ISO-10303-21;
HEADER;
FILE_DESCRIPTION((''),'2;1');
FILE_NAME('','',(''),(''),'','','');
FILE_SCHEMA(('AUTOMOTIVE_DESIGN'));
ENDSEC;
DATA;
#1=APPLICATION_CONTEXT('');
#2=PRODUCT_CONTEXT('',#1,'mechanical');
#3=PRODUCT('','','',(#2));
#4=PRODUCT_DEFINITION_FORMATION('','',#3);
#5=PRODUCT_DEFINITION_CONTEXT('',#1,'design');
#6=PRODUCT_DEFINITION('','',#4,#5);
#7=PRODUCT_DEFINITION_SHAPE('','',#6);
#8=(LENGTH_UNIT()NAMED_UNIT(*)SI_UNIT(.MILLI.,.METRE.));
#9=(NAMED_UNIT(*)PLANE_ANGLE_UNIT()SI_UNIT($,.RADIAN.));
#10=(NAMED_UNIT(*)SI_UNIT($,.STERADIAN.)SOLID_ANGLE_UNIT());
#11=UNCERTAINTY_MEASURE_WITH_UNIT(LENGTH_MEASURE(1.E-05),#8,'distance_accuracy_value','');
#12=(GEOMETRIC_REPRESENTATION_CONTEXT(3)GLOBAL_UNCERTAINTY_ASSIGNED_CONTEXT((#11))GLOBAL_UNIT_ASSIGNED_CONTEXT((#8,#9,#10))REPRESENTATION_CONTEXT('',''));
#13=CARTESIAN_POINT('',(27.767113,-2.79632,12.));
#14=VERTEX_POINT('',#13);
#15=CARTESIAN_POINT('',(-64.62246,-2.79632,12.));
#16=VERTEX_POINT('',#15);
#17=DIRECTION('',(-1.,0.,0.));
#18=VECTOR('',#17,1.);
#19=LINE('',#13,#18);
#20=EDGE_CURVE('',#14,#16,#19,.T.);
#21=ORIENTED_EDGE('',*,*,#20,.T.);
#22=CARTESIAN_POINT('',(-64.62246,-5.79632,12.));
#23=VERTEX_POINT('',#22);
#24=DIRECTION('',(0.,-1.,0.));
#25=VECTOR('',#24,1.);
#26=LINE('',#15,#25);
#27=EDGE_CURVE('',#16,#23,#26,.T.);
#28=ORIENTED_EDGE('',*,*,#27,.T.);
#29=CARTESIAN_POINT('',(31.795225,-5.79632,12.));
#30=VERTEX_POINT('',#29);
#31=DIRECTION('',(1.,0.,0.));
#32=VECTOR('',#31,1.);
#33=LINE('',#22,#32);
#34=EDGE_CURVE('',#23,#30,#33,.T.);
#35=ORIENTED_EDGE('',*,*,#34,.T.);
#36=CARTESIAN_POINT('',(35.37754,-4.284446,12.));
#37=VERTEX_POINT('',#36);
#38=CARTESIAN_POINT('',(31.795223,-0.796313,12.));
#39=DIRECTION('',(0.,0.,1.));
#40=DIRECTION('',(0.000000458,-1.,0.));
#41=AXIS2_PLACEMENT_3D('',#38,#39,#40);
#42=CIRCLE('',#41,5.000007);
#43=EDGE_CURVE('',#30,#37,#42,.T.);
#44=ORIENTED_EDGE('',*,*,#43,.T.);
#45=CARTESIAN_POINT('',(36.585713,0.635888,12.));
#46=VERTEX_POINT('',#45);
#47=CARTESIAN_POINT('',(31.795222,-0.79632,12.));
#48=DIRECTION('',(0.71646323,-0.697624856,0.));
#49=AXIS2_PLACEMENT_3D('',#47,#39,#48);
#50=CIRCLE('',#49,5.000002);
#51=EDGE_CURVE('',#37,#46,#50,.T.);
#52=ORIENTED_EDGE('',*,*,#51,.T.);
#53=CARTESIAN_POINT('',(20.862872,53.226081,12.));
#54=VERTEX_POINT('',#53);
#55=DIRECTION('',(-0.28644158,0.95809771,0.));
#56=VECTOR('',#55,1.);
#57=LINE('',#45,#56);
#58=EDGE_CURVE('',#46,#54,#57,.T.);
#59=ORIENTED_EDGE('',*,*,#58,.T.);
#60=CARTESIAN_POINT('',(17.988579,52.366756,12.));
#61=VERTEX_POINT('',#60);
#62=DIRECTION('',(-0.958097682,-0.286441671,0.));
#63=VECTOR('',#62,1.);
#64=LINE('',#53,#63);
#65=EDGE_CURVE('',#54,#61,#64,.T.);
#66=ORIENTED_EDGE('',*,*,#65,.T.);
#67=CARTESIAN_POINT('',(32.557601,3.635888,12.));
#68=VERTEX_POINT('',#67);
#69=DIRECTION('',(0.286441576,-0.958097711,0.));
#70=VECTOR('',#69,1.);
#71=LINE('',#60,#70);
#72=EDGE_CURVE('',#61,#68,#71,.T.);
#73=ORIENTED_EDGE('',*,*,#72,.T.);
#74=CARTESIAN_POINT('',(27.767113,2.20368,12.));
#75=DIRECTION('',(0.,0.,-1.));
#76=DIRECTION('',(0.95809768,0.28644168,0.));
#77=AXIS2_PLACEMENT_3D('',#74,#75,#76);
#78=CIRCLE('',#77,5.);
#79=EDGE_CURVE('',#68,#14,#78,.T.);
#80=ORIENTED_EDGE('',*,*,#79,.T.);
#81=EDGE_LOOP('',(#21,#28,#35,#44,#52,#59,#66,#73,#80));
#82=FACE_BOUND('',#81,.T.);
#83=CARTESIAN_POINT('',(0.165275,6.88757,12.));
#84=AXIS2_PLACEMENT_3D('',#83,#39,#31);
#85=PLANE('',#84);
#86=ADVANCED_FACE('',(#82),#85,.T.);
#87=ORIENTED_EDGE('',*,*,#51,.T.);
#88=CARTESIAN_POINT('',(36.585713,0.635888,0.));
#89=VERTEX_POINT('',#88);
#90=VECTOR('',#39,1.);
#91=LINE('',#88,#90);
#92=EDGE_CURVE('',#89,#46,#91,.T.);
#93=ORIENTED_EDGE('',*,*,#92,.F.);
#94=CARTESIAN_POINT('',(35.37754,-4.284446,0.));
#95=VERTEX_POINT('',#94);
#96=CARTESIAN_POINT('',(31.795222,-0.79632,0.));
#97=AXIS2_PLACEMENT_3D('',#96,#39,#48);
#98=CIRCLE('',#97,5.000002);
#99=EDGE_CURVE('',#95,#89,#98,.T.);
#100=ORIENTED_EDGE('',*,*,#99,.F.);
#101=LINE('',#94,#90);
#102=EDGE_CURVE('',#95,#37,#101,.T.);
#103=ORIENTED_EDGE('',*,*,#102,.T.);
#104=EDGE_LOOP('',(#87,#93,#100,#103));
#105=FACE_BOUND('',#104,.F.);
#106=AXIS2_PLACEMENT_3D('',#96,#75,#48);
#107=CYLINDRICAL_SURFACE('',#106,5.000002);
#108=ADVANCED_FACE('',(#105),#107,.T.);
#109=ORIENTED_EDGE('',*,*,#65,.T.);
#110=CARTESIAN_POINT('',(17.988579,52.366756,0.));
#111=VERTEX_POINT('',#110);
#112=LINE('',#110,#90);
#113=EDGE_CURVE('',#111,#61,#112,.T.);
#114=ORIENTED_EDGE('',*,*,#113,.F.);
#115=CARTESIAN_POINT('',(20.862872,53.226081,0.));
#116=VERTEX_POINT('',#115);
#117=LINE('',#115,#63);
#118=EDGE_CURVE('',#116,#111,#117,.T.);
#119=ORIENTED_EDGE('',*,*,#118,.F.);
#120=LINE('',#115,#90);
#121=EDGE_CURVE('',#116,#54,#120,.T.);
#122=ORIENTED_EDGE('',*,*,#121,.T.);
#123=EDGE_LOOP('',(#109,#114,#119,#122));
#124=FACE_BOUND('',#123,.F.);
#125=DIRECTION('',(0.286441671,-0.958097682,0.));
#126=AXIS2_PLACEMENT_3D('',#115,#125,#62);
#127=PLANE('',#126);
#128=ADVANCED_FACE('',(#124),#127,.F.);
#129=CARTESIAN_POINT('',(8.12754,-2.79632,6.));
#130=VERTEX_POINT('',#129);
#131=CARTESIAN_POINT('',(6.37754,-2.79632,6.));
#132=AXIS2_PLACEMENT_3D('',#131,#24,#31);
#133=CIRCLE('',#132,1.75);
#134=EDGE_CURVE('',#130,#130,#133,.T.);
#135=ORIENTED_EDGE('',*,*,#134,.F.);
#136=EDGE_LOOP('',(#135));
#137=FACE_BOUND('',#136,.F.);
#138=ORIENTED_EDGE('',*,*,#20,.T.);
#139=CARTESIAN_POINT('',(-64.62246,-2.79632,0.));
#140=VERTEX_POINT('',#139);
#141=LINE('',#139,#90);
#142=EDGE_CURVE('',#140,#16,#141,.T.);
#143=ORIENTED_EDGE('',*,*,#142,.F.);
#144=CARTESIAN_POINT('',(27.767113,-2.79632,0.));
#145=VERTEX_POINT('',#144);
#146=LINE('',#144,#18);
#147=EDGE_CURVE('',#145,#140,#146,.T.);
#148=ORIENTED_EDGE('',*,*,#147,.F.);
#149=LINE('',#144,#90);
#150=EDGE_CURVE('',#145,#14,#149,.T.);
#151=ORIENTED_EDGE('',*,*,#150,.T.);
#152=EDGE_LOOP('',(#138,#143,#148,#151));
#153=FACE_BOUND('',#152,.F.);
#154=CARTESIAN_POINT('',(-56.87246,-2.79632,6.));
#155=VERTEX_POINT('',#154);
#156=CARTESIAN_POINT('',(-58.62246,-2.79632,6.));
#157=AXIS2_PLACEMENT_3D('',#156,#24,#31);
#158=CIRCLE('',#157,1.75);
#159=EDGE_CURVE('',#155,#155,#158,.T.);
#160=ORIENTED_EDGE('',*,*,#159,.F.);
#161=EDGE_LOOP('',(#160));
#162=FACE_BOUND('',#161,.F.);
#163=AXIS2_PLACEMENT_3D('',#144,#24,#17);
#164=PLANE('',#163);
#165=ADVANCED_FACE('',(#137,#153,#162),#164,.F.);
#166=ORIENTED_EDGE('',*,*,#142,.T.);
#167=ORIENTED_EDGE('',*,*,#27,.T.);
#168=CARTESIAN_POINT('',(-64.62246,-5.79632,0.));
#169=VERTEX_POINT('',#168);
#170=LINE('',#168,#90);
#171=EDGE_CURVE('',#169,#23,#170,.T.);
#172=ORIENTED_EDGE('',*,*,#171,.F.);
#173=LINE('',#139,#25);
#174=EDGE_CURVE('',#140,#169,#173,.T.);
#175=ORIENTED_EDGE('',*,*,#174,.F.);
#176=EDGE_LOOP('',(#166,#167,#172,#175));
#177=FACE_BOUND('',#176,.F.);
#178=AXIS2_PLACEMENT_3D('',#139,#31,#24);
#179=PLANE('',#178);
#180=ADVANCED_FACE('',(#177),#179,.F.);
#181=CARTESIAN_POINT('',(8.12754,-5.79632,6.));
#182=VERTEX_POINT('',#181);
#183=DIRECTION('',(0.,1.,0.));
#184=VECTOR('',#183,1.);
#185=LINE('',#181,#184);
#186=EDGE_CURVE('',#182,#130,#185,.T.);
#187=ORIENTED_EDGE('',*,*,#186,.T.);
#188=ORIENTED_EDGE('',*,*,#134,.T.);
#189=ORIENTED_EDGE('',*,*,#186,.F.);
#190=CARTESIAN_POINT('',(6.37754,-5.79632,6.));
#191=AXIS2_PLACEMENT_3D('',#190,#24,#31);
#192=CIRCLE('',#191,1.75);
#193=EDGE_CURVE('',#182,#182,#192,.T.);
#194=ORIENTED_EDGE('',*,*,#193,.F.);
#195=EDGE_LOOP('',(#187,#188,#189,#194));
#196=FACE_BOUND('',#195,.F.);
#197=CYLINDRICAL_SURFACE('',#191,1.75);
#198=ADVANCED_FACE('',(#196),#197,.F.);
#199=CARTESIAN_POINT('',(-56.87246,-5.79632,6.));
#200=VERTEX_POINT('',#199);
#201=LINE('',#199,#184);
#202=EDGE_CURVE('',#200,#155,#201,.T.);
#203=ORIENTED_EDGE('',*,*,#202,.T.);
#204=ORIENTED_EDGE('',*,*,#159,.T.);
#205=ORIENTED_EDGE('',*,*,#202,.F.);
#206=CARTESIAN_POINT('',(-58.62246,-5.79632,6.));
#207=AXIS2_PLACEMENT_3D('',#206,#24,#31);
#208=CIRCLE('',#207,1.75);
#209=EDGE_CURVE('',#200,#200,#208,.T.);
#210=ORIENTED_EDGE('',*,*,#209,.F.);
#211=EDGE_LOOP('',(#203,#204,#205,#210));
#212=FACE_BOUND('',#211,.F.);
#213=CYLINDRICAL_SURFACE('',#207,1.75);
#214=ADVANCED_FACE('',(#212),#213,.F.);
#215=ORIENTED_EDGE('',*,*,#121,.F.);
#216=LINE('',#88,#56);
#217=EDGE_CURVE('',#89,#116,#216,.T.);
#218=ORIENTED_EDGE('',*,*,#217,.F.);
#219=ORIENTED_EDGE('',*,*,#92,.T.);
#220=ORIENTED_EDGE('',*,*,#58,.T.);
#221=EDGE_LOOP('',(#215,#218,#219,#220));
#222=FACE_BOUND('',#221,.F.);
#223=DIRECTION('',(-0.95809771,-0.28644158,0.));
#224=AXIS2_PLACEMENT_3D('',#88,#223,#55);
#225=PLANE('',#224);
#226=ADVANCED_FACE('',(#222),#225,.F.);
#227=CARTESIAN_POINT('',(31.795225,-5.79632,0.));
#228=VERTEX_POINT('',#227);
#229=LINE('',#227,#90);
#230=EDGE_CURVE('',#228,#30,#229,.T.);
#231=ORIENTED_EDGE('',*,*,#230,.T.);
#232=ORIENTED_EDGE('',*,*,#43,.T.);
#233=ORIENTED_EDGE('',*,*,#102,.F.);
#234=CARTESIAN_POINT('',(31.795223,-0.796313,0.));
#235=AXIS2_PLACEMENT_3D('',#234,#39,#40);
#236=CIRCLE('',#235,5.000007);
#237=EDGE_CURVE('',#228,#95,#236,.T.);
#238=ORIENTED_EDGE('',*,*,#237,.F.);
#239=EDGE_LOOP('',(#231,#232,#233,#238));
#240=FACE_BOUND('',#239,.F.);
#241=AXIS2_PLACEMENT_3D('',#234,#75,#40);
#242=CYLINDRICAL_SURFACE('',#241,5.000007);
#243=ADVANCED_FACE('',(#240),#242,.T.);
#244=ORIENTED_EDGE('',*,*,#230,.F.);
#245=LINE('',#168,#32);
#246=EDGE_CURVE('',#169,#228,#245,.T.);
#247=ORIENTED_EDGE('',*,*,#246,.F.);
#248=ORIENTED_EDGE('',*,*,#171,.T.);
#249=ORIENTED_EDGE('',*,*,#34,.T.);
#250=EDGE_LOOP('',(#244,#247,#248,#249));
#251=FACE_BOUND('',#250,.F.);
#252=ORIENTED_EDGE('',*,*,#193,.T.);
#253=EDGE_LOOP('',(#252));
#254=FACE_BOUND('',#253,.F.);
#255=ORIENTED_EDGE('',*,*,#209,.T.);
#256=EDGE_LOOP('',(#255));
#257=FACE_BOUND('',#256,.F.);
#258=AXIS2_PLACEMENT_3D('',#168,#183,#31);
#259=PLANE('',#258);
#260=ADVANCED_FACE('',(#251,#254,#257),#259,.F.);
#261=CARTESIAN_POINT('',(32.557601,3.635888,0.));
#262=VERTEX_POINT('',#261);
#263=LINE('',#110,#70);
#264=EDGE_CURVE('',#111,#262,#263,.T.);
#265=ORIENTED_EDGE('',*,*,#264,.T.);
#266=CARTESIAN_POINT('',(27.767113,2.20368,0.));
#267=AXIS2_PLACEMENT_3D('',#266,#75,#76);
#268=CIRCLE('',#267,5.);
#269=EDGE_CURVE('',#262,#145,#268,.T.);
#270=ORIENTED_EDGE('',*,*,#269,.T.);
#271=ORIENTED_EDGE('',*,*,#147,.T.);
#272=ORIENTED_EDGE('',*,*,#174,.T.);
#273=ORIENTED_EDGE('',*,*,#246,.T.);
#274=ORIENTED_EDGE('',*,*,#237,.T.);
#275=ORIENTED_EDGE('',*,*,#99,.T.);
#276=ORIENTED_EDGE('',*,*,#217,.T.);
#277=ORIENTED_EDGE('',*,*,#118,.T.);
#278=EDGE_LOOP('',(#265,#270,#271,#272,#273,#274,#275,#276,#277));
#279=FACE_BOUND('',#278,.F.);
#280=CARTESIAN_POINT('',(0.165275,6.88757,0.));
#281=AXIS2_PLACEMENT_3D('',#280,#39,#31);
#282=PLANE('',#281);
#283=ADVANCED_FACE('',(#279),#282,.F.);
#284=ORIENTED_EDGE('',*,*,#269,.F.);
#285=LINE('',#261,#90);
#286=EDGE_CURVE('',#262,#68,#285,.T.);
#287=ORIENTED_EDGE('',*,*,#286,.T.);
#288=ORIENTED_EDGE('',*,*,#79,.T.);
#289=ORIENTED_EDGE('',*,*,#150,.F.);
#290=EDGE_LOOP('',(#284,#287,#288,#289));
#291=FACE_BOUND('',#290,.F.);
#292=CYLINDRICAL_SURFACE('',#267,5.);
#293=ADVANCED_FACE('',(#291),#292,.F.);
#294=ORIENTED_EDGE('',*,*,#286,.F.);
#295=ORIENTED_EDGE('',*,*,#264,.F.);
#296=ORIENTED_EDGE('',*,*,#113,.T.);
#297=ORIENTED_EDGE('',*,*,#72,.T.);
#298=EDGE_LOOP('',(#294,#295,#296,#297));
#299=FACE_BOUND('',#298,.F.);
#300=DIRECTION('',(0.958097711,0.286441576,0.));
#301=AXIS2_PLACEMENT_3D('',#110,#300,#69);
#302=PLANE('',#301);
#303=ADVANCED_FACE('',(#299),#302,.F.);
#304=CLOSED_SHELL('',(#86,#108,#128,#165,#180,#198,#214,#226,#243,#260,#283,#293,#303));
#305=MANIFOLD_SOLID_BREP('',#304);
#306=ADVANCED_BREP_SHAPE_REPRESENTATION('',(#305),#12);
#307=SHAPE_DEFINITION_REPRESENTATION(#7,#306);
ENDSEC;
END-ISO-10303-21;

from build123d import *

# Parameters (mm, degrees)
F1_DEPTH = 12
F2_R     = 1.75
F3_DEPTH = 25
F4_R     = 1.75
F5_DEPTH = 3


with BuildPart() as f1:
    # F0 (on Top) → F1 (new body)
    with BuildSketch(Plane.XY):
        with BuildLine():
            Line((27.767113, -2.79632), (-64.62246, -2.79632))
            Line((-64.62246, -2.79632), (-64.62246, -5.79632))
            Line((-64.62246, -5.79632), (31.795225, -5.79632))
            ThreePointArc((31.795225, -5.79632), (33.739366, -5.402871), (35.37754, -4.284446))
            ThreePointArc((35.37754, -4.284446), (36.650982, -1.988637), (36.585713, 0.635888))
            Line((36.585713, 0.635888), (20.862872, 53.226081))
            Line((20.862872, 53.226081), (17.988579, 52.366756))
            Line((17.988579, 52.366756), (32.557601, 3.635888))
            ThreePointArc((32.557601, 3.635888), (31.777165, -0.78287), (27.767113, -2.79632))
        make_face()
    extrude(amount=F1_DEPTH)

    # F2 (on face) → F3 (cut)
    with BuildSketch(Plane.XZ.offset(5.79632)):
        with Locations((-58.62246, 6)):
            Circle(F2_R)
    extrude(amount=-F3_DEPTH, mode=Mode.SUBTRACT)

    # F4 (on face) → F5 (cut)
    with BuildSketch(Plane.XZ.offset(5.79632)):
        with Locations((6.37754, 6)):
            Circle(F4_R)
    extrude(amount=-F5_DEPTH, mode=Mode.SUBTRACT)


solid = f1.part
